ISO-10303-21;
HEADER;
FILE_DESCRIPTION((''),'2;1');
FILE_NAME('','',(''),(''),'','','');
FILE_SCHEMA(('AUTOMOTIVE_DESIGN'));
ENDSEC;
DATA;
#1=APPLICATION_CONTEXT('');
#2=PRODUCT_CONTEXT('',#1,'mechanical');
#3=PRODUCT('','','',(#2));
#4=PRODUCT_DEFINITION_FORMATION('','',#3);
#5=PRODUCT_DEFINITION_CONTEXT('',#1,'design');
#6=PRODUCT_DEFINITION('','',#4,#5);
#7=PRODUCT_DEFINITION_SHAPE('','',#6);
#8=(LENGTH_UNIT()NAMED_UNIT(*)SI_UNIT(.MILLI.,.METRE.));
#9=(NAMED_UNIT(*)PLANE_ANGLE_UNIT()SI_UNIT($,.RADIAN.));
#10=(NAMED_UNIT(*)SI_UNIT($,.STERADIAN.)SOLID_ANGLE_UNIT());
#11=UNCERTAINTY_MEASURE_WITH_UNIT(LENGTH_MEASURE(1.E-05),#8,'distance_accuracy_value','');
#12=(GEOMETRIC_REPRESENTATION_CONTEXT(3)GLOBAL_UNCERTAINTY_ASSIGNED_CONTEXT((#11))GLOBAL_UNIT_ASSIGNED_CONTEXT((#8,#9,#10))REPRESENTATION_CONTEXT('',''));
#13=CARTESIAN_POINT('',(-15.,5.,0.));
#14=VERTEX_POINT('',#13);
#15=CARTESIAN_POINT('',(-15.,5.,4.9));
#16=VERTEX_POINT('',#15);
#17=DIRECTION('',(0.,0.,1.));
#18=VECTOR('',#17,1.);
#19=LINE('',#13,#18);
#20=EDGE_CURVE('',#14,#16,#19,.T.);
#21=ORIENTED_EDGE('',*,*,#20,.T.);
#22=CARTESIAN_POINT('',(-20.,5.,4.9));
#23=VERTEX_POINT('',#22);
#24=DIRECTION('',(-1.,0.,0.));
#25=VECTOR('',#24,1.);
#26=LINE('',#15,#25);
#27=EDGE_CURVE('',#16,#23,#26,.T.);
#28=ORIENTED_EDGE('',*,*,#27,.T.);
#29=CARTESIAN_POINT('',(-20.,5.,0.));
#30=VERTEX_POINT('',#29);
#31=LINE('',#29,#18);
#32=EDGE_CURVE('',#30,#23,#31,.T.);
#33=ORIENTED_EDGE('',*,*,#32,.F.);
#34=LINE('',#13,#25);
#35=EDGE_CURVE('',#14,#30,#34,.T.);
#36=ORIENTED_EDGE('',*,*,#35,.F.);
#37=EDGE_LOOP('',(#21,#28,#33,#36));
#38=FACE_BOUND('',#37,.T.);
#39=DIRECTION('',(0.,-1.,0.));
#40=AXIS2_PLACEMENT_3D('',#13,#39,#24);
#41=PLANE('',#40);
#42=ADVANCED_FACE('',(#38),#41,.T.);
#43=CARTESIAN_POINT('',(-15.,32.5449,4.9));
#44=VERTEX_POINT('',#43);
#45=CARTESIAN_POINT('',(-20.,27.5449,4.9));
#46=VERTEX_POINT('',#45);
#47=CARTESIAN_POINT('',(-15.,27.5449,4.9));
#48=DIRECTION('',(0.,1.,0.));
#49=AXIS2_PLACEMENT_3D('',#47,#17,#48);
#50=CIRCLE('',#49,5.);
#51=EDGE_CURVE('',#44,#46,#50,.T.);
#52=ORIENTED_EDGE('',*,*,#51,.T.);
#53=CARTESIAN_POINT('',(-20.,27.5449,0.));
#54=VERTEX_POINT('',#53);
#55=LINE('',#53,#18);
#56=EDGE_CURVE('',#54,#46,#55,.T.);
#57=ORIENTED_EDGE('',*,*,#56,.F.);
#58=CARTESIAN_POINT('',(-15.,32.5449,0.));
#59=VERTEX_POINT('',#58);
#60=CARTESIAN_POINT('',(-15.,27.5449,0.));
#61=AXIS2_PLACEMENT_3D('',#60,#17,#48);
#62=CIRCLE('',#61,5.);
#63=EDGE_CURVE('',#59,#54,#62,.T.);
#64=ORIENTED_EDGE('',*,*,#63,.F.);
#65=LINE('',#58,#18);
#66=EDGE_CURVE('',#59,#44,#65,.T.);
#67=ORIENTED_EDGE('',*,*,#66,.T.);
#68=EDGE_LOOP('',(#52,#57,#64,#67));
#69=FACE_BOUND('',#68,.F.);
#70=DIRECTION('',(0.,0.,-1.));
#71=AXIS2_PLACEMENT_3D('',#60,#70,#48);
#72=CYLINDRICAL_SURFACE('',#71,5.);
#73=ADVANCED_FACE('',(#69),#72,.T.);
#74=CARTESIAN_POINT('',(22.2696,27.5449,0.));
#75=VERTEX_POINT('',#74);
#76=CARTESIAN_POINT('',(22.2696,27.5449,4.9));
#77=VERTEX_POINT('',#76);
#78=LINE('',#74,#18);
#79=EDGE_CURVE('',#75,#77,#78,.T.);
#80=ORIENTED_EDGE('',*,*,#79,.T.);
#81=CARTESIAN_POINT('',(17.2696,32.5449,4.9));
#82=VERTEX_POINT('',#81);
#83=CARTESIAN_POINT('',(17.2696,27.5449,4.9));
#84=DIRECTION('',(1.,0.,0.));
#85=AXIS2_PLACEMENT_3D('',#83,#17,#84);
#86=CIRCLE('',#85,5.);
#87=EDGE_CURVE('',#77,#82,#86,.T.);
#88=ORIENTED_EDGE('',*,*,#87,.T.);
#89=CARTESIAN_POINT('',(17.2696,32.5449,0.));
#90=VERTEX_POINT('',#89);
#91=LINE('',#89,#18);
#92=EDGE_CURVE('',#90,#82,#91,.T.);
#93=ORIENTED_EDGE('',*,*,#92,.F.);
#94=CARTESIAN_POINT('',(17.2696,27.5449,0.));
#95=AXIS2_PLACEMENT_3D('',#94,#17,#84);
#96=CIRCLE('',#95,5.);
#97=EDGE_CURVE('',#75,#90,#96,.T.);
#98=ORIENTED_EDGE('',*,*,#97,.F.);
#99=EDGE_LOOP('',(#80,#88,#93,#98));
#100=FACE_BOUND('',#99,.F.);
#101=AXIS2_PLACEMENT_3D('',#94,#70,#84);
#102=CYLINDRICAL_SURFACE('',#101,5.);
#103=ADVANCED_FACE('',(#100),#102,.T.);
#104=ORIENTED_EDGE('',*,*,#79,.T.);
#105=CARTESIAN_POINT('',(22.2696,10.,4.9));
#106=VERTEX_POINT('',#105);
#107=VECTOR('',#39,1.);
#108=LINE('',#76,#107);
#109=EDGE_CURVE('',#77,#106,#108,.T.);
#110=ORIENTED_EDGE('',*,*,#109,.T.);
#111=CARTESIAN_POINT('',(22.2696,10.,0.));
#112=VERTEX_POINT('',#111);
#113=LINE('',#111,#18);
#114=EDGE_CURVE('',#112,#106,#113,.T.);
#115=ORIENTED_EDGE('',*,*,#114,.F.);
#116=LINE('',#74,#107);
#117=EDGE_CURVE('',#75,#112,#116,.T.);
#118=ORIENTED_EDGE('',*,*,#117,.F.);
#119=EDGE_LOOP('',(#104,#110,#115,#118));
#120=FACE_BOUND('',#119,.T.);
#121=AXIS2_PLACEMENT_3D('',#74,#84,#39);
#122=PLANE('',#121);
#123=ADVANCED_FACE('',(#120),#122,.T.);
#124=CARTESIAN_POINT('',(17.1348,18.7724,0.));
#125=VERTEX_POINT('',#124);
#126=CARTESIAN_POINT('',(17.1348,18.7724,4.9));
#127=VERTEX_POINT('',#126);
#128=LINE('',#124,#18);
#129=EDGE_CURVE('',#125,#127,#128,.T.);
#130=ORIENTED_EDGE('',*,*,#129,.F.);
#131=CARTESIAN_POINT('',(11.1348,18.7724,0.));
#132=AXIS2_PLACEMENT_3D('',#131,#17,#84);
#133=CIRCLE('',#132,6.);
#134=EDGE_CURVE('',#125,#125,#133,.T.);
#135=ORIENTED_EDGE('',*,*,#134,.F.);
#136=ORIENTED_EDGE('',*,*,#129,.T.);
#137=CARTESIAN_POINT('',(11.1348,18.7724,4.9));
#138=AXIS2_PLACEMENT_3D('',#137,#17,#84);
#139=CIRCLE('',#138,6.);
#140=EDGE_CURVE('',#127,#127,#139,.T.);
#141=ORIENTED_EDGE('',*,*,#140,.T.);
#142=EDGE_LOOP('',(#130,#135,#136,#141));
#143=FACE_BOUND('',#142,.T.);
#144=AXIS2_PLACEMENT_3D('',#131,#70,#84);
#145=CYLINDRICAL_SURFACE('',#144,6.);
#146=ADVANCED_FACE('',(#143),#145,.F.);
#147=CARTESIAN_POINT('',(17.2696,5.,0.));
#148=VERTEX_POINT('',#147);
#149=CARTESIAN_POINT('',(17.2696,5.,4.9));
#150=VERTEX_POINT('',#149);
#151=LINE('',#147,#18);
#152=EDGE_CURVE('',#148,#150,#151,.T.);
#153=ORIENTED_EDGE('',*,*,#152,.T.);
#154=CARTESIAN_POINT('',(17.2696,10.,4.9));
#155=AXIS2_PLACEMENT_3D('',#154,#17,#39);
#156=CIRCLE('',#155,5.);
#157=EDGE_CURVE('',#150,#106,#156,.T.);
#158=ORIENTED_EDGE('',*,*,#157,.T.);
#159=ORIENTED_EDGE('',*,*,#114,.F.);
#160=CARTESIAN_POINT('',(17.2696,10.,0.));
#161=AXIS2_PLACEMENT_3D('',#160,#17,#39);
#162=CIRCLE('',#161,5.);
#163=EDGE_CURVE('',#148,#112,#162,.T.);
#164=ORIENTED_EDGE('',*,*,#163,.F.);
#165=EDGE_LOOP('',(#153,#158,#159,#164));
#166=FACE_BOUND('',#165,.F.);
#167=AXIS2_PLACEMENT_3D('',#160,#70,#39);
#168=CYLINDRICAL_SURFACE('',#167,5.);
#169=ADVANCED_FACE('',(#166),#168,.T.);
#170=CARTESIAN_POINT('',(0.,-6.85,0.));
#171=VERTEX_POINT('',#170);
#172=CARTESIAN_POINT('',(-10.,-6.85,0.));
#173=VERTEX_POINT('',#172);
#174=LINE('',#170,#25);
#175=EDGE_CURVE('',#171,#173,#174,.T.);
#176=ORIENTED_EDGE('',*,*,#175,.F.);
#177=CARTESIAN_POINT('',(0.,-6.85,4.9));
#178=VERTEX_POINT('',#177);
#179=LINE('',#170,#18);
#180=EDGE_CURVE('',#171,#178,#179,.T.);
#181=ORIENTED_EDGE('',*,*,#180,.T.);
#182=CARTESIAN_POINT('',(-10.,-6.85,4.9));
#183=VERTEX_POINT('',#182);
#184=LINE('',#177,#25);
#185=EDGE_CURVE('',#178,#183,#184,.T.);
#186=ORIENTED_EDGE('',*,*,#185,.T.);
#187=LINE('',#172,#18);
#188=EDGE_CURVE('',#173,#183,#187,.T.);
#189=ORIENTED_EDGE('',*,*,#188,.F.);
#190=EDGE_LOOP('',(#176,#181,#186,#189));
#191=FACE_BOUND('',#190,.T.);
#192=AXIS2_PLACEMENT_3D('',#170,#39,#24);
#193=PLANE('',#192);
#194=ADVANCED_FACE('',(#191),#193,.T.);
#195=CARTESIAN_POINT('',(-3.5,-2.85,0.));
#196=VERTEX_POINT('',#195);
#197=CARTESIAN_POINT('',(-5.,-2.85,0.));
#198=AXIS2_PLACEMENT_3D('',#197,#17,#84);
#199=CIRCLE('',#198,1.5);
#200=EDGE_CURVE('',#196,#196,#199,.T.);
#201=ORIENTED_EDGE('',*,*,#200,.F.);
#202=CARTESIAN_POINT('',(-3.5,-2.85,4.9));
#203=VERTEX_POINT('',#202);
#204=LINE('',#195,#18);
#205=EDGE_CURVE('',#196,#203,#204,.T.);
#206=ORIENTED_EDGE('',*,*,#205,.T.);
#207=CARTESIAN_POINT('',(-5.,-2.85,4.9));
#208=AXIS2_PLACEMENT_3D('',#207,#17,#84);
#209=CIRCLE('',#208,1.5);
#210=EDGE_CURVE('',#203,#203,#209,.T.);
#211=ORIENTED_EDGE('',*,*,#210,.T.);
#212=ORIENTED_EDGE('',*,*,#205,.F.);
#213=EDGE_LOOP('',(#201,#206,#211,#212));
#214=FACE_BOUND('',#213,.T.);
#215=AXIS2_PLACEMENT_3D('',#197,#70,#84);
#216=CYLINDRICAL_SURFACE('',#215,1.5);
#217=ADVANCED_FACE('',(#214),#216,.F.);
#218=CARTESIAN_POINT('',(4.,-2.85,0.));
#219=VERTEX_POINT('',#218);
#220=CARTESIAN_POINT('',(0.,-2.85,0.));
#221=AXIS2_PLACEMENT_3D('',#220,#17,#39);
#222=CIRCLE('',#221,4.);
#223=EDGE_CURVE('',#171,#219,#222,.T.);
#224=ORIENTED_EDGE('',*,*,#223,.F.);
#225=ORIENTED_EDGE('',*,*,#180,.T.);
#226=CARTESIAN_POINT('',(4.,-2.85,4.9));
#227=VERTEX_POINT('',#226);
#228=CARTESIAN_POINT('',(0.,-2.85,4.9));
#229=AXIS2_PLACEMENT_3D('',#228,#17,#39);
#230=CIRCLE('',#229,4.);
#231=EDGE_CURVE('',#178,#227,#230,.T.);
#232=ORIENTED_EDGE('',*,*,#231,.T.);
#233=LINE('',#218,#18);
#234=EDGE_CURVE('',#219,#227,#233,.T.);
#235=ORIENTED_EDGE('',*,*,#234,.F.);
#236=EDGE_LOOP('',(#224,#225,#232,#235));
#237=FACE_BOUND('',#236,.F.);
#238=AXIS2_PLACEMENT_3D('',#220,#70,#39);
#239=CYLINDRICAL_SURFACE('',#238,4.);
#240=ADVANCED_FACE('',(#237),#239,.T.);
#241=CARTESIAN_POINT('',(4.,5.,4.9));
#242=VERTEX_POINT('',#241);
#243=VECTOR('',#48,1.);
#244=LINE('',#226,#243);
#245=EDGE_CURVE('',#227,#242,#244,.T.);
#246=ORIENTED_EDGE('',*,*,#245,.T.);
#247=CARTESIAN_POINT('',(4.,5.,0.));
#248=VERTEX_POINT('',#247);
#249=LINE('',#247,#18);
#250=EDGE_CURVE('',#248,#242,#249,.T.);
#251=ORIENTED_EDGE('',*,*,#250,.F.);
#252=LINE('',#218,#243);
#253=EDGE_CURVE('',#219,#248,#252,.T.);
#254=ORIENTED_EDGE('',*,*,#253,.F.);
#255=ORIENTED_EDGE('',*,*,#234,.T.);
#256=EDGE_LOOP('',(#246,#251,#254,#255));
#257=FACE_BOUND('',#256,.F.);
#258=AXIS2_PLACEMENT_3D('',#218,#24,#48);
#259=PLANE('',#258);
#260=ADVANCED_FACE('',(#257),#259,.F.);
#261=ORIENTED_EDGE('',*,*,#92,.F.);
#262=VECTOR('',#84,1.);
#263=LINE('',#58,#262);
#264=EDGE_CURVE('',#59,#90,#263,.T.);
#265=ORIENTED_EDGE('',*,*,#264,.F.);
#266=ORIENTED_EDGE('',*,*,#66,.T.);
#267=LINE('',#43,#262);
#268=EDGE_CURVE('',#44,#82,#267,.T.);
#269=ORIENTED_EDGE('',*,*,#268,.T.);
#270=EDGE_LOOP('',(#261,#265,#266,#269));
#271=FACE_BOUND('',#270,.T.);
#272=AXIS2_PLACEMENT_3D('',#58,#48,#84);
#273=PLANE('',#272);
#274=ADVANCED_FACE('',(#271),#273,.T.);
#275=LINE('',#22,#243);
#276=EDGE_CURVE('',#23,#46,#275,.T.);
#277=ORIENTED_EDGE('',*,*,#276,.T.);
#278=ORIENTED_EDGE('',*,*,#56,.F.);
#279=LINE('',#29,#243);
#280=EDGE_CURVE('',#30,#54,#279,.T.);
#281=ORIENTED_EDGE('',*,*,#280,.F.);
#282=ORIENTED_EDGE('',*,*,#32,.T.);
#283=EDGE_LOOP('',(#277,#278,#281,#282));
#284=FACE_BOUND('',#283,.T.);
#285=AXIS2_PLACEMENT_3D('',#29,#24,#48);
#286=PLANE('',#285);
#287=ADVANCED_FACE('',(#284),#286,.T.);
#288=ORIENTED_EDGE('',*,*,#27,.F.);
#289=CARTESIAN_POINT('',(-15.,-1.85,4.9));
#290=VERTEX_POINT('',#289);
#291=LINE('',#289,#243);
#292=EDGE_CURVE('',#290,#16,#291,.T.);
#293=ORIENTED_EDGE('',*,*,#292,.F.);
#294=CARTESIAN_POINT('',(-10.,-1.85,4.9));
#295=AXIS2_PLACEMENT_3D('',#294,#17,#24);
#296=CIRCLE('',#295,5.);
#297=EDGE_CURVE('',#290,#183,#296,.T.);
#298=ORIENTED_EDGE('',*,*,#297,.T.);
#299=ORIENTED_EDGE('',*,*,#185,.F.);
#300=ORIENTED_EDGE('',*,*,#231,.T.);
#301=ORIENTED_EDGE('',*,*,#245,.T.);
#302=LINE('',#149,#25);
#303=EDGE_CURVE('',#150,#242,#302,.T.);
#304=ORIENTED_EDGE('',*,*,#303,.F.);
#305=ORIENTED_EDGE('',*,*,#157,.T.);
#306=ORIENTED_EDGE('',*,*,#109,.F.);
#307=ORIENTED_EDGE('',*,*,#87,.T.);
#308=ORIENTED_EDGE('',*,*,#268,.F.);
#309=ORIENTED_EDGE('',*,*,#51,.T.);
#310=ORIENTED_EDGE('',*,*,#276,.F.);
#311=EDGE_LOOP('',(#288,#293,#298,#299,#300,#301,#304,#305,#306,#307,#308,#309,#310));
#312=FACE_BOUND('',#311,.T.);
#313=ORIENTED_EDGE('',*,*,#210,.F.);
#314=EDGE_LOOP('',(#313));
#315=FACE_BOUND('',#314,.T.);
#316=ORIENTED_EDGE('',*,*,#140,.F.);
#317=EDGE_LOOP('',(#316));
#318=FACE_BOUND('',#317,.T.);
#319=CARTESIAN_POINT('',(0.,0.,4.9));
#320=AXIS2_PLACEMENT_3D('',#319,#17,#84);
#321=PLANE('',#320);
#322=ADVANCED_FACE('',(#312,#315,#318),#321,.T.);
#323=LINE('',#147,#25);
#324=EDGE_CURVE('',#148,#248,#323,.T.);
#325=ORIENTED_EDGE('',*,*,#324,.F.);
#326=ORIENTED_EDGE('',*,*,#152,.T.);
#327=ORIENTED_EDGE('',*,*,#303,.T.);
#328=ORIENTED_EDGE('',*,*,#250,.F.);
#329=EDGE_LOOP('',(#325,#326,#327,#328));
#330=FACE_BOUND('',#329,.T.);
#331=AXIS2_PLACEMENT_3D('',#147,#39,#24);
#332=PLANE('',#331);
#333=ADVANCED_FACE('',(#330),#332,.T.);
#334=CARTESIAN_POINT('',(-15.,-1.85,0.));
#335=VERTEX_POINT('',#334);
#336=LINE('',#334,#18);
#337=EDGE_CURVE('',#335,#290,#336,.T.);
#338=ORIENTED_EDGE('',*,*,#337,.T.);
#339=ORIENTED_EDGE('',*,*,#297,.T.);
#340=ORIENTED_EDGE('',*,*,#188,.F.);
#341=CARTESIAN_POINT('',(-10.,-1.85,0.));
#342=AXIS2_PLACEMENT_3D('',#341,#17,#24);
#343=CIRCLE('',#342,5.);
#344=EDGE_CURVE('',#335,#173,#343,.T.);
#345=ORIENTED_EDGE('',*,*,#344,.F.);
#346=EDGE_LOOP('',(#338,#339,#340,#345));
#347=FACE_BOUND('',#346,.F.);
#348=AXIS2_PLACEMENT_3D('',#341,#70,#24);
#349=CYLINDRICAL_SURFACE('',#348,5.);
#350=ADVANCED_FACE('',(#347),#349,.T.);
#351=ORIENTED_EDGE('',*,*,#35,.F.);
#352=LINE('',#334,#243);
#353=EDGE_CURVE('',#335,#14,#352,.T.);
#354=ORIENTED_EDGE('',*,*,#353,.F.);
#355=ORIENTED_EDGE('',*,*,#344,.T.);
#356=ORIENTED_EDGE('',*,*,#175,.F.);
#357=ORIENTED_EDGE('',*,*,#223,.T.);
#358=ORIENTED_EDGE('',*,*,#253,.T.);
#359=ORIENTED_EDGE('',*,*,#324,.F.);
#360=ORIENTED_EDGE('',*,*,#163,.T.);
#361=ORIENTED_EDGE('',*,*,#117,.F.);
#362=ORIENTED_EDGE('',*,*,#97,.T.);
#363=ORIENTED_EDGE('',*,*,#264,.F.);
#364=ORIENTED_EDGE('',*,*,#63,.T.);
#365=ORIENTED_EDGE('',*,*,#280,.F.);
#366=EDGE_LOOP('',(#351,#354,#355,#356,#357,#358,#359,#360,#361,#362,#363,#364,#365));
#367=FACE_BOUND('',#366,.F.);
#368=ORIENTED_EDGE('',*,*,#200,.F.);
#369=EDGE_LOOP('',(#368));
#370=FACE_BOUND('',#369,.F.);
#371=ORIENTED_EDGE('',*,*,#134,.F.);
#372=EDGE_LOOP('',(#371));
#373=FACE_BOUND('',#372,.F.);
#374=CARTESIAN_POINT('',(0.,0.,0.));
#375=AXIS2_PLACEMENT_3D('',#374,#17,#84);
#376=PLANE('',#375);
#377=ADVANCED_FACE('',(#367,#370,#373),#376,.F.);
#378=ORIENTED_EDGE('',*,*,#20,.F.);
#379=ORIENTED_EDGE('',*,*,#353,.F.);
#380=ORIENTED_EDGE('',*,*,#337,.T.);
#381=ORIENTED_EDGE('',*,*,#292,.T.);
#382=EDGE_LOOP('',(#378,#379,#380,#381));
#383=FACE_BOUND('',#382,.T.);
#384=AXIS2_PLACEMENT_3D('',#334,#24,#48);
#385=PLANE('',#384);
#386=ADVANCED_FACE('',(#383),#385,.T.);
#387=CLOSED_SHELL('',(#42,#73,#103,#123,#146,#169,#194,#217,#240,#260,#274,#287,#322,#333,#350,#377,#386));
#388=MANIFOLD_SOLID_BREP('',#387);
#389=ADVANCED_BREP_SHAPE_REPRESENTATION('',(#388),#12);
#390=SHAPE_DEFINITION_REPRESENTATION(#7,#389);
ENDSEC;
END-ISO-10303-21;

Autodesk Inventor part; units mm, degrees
ref_plane "YZ Plane" through (0, 0, 0) normal (1, 0, 0) x (0, 1, 0)
ref_plane "XZ Plane" through (0, 0, 0) normal (0, 1, 0) x (-1, 0, 0)
ref_plane "XY Plane" through (0, 0, 0) normal (0, 0, 1) x (1, 0, 0)
sketch "Эскиз1" plane through (0, 0, 0) normal (0, 0, 1) x (1, 0, 0)
  line L0 (-20, 5) -> (-20, 27.5449)
  arc A0 (22.2696, 27.5449) -> (17.2696, 32.5449) centre (17.2696, 27.5449) ccw
  line L1 (22.2696, 27.5449) -> (22.2696, 10)
  arc A1 (17.2696, 5) -> (22.2696, 10) centre (17.2696, 10) ccw
  circle A2 centre (-5, -2.85) radius 1.5
  line L2 (-15, 5) -> (-20, 5)
  line L3 (-15, 32.5449) -> (17.2696, 32.5449)
  arc A3 (-15, 32.5449) -> (-20, 27.5449) centre (-15, 27.5449) ccw
  line L4 (17.2696, 5) -> (4, 5)
  arc A4 (0, -6.85) -> (4, -2.85) centre (0, -2.85) ccw
  line L5 (4, -2.85) -> (4, 5)
  line L6 (0, -6.85) -> (-10, -6.85)
  line L7 (-15, -1.85) -> (-15, 5)
  arc A5 (-15, -1.85) -> (-10, -6.85) centre (-10, -1.85) ccw
  circle A6 centre (11.1348, 18.7724) radius 6
  point P0 (22.2696, 32.5449)
  point P1 (0, 32.5449)
  point P2 (22.2696, 5)
  dimension "d14" = 12
  dimension "d15" = 3
extrude "Выдавливание1" add sketch "Эскиз1" along normal blind 4.9
properties part number "Верт. держатели"
